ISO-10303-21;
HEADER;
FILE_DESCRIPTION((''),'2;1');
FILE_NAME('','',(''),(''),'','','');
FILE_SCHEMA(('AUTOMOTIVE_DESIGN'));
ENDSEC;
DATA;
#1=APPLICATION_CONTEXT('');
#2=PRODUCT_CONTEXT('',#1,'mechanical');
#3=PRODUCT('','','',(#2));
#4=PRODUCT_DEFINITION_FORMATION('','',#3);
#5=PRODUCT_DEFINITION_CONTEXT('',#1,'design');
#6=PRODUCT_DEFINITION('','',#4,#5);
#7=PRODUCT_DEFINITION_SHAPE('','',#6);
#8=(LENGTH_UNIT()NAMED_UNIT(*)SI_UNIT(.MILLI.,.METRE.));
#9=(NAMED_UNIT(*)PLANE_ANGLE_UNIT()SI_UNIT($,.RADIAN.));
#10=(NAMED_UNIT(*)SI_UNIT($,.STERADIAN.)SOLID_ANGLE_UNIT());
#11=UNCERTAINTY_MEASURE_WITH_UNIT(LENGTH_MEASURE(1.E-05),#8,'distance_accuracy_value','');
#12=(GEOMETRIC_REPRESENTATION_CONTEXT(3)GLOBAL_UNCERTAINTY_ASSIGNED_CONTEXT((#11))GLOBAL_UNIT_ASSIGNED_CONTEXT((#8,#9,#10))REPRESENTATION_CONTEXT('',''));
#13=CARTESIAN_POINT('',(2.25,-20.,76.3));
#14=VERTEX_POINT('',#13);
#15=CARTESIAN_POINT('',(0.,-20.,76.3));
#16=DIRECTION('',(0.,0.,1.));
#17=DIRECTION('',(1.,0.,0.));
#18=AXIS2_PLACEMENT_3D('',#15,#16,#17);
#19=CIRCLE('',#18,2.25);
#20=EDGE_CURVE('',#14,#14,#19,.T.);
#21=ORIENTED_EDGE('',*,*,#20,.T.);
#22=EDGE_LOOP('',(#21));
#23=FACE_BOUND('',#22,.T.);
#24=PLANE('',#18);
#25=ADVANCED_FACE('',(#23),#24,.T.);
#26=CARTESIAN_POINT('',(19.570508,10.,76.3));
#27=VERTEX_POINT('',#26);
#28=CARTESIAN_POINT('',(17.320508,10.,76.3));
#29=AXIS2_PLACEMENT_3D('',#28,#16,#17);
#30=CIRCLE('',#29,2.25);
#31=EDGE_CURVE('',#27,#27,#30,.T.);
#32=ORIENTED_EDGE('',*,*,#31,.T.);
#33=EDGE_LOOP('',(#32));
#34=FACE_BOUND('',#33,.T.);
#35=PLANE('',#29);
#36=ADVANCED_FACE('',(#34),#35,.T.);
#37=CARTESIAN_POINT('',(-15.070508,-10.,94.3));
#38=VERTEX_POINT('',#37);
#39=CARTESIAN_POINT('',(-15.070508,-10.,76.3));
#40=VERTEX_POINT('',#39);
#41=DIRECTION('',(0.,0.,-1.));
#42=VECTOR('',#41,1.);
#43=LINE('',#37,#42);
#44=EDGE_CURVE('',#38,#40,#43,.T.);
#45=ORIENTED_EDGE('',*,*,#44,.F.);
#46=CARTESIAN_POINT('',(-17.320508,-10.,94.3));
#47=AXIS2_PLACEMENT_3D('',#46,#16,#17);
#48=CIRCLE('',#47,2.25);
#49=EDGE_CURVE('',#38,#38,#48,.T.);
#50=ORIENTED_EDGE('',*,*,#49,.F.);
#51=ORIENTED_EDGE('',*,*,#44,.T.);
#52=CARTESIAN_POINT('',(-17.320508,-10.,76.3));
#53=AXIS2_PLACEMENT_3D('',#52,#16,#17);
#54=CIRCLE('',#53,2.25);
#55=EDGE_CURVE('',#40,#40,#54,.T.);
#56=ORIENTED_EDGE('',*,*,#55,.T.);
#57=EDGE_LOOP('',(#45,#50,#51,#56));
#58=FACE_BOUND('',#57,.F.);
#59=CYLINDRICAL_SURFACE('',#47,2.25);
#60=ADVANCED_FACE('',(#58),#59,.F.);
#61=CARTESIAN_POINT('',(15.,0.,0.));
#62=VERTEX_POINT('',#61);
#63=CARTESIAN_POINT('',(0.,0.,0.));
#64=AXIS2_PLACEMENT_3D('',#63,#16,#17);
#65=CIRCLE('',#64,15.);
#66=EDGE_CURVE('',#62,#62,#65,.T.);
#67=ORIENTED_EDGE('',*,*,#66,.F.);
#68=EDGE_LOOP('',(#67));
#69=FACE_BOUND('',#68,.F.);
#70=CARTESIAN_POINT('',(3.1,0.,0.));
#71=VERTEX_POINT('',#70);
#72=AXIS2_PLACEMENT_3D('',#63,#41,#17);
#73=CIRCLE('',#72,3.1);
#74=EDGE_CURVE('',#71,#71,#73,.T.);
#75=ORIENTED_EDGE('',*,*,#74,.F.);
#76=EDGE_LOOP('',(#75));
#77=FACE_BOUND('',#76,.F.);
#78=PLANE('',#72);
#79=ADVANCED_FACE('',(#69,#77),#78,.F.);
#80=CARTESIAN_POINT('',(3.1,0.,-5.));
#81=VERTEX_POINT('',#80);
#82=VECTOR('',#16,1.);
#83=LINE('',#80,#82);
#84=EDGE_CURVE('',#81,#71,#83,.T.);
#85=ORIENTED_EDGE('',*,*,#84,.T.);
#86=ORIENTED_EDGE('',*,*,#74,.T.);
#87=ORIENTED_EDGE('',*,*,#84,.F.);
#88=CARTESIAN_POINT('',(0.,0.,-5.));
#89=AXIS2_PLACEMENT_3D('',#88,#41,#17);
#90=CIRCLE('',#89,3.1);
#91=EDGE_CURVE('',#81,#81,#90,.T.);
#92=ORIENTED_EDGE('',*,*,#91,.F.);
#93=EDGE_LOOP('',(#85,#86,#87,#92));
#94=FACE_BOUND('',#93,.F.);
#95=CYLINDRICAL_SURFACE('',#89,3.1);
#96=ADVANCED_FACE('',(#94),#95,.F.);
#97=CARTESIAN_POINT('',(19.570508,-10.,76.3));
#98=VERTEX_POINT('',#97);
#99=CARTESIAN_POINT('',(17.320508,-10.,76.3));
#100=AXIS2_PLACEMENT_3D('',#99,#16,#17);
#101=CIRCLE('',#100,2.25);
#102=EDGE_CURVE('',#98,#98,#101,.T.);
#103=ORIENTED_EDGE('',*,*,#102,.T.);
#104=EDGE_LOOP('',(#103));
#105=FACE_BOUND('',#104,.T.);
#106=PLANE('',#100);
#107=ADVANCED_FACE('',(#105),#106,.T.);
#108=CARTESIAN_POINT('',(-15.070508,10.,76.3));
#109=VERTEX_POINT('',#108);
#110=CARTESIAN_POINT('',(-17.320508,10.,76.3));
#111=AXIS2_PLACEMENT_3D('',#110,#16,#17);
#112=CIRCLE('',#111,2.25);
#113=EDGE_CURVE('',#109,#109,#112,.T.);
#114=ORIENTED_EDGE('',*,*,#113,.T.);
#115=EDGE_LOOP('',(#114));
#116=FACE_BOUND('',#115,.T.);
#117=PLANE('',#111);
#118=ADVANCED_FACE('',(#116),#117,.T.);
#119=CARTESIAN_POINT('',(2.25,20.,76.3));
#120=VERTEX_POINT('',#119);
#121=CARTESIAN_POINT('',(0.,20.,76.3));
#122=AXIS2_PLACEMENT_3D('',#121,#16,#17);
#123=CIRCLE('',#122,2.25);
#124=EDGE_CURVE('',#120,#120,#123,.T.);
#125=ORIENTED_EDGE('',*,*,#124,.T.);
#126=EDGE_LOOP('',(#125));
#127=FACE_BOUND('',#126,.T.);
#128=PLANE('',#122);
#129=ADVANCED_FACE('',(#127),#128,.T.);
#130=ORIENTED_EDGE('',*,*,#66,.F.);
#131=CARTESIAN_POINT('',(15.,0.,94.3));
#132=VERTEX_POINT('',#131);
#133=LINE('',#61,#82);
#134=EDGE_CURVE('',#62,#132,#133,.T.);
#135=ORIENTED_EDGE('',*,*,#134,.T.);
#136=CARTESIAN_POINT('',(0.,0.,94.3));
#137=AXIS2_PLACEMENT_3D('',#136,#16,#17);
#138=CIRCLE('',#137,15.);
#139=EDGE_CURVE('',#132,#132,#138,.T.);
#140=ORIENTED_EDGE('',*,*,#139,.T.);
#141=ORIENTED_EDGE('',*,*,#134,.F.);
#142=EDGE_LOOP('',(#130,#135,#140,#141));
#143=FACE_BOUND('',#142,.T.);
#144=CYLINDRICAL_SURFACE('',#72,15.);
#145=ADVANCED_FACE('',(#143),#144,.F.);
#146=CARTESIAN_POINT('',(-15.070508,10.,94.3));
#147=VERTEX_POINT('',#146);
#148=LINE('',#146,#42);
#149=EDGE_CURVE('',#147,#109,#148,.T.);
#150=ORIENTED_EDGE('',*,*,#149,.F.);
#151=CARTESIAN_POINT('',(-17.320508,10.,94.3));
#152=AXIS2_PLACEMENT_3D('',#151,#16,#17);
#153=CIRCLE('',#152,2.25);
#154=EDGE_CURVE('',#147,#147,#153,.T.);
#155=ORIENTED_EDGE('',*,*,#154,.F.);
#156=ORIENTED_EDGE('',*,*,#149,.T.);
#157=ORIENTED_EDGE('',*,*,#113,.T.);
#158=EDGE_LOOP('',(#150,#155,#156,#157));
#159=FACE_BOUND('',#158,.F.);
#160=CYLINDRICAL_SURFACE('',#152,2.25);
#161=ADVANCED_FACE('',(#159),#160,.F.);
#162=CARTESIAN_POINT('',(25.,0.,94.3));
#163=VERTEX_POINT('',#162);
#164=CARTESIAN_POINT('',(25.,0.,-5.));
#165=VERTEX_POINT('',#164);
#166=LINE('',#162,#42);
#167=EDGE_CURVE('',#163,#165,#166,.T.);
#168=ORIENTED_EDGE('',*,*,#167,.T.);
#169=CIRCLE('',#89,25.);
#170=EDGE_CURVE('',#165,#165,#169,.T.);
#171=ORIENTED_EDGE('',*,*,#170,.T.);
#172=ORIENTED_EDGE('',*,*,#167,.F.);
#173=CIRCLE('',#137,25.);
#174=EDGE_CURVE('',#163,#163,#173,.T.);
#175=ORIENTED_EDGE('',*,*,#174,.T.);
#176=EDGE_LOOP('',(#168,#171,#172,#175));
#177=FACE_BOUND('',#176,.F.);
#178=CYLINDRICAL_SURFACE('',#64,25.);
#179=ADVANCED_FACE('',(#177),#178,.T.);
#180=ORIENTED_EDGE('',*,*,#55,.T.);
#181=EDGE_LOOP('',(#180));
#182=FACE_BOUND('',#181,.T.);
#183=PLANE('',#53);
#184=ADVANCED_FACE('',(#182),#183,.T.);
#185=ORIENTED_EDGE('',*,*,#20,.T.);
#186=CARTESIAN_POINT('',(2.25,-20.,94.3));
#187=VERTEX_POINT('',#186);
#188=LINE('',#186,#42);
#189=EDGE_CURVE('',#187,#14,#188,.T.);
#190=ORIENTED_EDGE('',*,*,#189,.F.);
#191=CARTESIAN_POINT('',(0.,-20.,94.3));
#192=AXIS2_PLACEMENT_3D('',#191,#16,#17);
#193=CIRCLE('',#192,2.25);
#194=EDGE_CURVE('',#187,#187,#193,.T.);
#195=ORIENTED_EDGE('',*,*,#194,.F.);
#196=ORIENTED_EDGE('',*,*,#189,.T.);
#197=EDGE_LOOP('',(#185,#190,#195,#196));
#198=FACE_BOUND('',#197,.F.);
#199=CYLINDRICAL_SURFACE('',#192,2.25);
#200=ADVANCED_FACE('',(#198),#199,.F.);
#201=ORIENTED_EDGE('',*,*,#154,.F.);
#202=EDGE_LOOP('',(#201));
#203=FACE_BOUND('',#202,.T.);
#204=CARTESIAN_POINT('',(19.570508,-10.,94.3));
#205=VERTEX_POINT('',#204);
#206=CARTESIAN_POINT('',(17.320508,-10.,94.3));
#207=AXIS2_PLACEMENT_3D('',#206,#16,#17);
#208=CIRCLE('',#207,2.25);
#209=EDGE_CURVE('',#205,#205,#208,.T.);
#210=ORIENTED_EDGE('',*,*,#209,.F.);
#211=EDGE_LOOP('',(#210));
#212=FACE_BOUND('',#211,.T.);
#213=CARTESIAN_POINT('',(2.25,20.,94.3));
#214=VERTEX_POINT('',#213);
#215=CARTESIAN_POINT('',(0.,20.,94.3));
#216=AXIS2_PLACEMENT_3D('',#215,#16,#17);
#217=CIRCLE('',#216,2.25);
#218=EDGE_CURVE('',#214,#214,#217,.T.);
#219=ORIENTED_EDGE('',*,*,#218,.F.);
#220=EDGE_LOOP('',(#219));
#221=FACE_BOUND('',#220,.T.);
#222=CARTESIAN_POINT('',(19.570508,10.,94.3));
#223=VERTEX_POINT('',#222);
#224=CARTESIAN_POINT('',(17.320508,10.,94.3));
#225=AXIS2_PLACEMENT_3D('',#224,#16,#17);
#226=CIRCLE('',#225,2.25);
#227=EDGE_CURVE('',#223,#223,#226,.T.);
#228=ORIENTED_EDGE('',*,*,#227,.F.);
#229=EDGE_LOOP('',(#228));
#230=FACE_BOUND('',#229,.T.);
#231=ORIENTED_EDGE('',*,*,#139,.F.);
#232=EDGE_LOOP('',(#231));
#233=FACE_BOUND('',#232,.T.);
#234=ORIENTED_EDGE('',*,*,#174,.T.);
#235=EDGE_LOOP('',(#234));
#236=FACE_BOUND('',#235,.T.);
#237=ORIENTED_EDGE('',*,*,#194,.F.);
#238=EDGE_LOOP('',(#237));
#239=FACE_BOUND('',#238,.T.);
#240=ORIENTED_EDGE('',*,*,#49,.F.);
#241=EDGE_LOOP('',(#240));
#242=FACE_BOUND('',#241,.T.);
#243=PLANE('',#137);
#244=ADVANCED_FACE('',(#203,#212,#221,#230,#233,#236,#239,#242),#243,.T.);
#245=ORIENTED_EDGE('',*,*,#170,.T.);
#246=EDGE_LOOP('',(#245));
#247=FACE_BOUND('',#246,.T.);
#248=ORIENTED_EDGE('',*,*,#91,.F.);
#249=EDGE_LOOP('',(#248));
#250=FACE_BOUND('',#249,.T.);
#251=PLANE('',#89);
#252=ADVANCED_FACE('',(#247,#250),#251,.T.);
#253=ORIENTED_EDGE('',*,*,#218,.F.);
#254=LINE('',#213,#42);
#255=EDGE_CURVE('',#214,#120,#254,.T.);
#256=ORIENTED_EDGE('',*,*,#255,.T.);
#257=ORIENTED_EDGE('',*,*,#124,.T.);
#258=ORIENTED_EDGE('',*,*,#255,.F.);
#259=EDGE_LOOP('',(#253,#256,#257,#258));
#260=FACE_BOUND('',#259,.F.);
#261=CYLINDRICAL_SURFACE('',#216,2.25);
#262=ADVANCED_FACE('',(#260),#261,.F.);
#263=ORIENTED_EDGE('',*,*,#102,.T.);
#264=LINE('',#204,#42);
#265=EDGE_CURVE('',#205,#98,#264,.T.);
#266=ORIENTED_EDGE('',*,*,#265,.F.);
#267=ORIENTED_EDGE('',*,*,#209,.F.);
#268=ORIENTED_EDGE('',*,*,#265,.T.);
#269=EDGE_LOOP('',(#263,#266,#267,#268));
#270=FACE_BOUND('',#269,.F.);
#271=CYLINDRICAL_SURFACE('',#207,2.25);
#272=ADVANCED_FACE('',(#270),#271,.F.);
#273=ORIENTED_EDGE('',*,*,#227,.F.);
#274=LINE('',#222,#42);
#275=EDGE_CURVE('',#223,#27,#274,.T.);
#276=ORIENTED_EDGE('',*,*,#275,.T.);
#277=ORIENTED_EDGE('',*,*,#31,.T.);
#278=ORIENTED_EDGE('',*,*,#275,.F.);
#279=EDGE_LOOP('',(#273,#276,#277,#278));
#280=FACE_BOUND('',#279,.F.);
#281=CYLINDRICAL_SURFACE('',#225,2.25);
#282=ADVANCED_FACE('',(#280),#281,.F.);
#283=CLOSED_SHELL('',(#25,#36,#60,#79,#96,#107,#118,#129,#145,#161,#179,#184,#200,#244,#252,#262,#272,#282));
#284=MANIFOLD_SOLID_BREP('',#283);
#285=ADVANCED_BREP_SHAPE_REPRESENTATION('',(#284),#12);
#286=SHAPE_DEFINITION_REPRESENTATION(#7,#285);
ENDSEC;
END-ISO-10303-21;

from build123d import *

# Parameters (mm, degrees)
F0_R     = 25
F0_R_2   = 15
F1_DEPTH = 94.3
F2_R     = 2.25
F3_DEPTH = 18
F4_R     = 25
F5_DEPTH = 5
F6_R     = 3.1
F7_DEPTH = 25


with BuildPart() as f1:
    # F0 (on Top) → F1 (new body)
    with BuildSketch(Plane.XY):
        Circle(F0_R)
        Circle(F0_R_2, mode=Mode.SUBTRACT)
    extrude(amount=F1_DEPTH)

    # F2 (on face) → F3 (cut)
    with BuildSketch(Plane.XY.offset(94.3)):
        with Locations((0, 20)):
            Circle(F2_R)
        with Locations((-17.320508, -10)):
            Circle(F2_R)
        with Locations((17.320508, -10)):
            Circle(F2_R)
        with Locations((0, -20)):
            Circle(F2_R)
        with Locations((17.320508, 10)):
            Circle(F2_R)
        with Locations((-17.320508, 10)):
            Circle(F2_R)
    extrude(amount=-F3_DEPTH, mode=Mode.SUBTRACT)

    # F4 (on face) → F5 (join)
    with BuildSketch(Plane(origin=(0, 0, 0), x_dir=(1, 0, 0), z_dir=(0, 0, -1))):
        Circle(F4_R)
    extrude(amount=F5_DEPTH)

    # F6 (on face) → F7 (cut)
    with BuildSketch(Plane(origin=(0, 0, -5), x_dir=(1, 0, 0), z_dir=(0, 0, -1))):
        Circle(F6_R)
    extrude(amount=-F7_DEPTH, mode=Mode.SUBTRACT)


solid = f1.part
